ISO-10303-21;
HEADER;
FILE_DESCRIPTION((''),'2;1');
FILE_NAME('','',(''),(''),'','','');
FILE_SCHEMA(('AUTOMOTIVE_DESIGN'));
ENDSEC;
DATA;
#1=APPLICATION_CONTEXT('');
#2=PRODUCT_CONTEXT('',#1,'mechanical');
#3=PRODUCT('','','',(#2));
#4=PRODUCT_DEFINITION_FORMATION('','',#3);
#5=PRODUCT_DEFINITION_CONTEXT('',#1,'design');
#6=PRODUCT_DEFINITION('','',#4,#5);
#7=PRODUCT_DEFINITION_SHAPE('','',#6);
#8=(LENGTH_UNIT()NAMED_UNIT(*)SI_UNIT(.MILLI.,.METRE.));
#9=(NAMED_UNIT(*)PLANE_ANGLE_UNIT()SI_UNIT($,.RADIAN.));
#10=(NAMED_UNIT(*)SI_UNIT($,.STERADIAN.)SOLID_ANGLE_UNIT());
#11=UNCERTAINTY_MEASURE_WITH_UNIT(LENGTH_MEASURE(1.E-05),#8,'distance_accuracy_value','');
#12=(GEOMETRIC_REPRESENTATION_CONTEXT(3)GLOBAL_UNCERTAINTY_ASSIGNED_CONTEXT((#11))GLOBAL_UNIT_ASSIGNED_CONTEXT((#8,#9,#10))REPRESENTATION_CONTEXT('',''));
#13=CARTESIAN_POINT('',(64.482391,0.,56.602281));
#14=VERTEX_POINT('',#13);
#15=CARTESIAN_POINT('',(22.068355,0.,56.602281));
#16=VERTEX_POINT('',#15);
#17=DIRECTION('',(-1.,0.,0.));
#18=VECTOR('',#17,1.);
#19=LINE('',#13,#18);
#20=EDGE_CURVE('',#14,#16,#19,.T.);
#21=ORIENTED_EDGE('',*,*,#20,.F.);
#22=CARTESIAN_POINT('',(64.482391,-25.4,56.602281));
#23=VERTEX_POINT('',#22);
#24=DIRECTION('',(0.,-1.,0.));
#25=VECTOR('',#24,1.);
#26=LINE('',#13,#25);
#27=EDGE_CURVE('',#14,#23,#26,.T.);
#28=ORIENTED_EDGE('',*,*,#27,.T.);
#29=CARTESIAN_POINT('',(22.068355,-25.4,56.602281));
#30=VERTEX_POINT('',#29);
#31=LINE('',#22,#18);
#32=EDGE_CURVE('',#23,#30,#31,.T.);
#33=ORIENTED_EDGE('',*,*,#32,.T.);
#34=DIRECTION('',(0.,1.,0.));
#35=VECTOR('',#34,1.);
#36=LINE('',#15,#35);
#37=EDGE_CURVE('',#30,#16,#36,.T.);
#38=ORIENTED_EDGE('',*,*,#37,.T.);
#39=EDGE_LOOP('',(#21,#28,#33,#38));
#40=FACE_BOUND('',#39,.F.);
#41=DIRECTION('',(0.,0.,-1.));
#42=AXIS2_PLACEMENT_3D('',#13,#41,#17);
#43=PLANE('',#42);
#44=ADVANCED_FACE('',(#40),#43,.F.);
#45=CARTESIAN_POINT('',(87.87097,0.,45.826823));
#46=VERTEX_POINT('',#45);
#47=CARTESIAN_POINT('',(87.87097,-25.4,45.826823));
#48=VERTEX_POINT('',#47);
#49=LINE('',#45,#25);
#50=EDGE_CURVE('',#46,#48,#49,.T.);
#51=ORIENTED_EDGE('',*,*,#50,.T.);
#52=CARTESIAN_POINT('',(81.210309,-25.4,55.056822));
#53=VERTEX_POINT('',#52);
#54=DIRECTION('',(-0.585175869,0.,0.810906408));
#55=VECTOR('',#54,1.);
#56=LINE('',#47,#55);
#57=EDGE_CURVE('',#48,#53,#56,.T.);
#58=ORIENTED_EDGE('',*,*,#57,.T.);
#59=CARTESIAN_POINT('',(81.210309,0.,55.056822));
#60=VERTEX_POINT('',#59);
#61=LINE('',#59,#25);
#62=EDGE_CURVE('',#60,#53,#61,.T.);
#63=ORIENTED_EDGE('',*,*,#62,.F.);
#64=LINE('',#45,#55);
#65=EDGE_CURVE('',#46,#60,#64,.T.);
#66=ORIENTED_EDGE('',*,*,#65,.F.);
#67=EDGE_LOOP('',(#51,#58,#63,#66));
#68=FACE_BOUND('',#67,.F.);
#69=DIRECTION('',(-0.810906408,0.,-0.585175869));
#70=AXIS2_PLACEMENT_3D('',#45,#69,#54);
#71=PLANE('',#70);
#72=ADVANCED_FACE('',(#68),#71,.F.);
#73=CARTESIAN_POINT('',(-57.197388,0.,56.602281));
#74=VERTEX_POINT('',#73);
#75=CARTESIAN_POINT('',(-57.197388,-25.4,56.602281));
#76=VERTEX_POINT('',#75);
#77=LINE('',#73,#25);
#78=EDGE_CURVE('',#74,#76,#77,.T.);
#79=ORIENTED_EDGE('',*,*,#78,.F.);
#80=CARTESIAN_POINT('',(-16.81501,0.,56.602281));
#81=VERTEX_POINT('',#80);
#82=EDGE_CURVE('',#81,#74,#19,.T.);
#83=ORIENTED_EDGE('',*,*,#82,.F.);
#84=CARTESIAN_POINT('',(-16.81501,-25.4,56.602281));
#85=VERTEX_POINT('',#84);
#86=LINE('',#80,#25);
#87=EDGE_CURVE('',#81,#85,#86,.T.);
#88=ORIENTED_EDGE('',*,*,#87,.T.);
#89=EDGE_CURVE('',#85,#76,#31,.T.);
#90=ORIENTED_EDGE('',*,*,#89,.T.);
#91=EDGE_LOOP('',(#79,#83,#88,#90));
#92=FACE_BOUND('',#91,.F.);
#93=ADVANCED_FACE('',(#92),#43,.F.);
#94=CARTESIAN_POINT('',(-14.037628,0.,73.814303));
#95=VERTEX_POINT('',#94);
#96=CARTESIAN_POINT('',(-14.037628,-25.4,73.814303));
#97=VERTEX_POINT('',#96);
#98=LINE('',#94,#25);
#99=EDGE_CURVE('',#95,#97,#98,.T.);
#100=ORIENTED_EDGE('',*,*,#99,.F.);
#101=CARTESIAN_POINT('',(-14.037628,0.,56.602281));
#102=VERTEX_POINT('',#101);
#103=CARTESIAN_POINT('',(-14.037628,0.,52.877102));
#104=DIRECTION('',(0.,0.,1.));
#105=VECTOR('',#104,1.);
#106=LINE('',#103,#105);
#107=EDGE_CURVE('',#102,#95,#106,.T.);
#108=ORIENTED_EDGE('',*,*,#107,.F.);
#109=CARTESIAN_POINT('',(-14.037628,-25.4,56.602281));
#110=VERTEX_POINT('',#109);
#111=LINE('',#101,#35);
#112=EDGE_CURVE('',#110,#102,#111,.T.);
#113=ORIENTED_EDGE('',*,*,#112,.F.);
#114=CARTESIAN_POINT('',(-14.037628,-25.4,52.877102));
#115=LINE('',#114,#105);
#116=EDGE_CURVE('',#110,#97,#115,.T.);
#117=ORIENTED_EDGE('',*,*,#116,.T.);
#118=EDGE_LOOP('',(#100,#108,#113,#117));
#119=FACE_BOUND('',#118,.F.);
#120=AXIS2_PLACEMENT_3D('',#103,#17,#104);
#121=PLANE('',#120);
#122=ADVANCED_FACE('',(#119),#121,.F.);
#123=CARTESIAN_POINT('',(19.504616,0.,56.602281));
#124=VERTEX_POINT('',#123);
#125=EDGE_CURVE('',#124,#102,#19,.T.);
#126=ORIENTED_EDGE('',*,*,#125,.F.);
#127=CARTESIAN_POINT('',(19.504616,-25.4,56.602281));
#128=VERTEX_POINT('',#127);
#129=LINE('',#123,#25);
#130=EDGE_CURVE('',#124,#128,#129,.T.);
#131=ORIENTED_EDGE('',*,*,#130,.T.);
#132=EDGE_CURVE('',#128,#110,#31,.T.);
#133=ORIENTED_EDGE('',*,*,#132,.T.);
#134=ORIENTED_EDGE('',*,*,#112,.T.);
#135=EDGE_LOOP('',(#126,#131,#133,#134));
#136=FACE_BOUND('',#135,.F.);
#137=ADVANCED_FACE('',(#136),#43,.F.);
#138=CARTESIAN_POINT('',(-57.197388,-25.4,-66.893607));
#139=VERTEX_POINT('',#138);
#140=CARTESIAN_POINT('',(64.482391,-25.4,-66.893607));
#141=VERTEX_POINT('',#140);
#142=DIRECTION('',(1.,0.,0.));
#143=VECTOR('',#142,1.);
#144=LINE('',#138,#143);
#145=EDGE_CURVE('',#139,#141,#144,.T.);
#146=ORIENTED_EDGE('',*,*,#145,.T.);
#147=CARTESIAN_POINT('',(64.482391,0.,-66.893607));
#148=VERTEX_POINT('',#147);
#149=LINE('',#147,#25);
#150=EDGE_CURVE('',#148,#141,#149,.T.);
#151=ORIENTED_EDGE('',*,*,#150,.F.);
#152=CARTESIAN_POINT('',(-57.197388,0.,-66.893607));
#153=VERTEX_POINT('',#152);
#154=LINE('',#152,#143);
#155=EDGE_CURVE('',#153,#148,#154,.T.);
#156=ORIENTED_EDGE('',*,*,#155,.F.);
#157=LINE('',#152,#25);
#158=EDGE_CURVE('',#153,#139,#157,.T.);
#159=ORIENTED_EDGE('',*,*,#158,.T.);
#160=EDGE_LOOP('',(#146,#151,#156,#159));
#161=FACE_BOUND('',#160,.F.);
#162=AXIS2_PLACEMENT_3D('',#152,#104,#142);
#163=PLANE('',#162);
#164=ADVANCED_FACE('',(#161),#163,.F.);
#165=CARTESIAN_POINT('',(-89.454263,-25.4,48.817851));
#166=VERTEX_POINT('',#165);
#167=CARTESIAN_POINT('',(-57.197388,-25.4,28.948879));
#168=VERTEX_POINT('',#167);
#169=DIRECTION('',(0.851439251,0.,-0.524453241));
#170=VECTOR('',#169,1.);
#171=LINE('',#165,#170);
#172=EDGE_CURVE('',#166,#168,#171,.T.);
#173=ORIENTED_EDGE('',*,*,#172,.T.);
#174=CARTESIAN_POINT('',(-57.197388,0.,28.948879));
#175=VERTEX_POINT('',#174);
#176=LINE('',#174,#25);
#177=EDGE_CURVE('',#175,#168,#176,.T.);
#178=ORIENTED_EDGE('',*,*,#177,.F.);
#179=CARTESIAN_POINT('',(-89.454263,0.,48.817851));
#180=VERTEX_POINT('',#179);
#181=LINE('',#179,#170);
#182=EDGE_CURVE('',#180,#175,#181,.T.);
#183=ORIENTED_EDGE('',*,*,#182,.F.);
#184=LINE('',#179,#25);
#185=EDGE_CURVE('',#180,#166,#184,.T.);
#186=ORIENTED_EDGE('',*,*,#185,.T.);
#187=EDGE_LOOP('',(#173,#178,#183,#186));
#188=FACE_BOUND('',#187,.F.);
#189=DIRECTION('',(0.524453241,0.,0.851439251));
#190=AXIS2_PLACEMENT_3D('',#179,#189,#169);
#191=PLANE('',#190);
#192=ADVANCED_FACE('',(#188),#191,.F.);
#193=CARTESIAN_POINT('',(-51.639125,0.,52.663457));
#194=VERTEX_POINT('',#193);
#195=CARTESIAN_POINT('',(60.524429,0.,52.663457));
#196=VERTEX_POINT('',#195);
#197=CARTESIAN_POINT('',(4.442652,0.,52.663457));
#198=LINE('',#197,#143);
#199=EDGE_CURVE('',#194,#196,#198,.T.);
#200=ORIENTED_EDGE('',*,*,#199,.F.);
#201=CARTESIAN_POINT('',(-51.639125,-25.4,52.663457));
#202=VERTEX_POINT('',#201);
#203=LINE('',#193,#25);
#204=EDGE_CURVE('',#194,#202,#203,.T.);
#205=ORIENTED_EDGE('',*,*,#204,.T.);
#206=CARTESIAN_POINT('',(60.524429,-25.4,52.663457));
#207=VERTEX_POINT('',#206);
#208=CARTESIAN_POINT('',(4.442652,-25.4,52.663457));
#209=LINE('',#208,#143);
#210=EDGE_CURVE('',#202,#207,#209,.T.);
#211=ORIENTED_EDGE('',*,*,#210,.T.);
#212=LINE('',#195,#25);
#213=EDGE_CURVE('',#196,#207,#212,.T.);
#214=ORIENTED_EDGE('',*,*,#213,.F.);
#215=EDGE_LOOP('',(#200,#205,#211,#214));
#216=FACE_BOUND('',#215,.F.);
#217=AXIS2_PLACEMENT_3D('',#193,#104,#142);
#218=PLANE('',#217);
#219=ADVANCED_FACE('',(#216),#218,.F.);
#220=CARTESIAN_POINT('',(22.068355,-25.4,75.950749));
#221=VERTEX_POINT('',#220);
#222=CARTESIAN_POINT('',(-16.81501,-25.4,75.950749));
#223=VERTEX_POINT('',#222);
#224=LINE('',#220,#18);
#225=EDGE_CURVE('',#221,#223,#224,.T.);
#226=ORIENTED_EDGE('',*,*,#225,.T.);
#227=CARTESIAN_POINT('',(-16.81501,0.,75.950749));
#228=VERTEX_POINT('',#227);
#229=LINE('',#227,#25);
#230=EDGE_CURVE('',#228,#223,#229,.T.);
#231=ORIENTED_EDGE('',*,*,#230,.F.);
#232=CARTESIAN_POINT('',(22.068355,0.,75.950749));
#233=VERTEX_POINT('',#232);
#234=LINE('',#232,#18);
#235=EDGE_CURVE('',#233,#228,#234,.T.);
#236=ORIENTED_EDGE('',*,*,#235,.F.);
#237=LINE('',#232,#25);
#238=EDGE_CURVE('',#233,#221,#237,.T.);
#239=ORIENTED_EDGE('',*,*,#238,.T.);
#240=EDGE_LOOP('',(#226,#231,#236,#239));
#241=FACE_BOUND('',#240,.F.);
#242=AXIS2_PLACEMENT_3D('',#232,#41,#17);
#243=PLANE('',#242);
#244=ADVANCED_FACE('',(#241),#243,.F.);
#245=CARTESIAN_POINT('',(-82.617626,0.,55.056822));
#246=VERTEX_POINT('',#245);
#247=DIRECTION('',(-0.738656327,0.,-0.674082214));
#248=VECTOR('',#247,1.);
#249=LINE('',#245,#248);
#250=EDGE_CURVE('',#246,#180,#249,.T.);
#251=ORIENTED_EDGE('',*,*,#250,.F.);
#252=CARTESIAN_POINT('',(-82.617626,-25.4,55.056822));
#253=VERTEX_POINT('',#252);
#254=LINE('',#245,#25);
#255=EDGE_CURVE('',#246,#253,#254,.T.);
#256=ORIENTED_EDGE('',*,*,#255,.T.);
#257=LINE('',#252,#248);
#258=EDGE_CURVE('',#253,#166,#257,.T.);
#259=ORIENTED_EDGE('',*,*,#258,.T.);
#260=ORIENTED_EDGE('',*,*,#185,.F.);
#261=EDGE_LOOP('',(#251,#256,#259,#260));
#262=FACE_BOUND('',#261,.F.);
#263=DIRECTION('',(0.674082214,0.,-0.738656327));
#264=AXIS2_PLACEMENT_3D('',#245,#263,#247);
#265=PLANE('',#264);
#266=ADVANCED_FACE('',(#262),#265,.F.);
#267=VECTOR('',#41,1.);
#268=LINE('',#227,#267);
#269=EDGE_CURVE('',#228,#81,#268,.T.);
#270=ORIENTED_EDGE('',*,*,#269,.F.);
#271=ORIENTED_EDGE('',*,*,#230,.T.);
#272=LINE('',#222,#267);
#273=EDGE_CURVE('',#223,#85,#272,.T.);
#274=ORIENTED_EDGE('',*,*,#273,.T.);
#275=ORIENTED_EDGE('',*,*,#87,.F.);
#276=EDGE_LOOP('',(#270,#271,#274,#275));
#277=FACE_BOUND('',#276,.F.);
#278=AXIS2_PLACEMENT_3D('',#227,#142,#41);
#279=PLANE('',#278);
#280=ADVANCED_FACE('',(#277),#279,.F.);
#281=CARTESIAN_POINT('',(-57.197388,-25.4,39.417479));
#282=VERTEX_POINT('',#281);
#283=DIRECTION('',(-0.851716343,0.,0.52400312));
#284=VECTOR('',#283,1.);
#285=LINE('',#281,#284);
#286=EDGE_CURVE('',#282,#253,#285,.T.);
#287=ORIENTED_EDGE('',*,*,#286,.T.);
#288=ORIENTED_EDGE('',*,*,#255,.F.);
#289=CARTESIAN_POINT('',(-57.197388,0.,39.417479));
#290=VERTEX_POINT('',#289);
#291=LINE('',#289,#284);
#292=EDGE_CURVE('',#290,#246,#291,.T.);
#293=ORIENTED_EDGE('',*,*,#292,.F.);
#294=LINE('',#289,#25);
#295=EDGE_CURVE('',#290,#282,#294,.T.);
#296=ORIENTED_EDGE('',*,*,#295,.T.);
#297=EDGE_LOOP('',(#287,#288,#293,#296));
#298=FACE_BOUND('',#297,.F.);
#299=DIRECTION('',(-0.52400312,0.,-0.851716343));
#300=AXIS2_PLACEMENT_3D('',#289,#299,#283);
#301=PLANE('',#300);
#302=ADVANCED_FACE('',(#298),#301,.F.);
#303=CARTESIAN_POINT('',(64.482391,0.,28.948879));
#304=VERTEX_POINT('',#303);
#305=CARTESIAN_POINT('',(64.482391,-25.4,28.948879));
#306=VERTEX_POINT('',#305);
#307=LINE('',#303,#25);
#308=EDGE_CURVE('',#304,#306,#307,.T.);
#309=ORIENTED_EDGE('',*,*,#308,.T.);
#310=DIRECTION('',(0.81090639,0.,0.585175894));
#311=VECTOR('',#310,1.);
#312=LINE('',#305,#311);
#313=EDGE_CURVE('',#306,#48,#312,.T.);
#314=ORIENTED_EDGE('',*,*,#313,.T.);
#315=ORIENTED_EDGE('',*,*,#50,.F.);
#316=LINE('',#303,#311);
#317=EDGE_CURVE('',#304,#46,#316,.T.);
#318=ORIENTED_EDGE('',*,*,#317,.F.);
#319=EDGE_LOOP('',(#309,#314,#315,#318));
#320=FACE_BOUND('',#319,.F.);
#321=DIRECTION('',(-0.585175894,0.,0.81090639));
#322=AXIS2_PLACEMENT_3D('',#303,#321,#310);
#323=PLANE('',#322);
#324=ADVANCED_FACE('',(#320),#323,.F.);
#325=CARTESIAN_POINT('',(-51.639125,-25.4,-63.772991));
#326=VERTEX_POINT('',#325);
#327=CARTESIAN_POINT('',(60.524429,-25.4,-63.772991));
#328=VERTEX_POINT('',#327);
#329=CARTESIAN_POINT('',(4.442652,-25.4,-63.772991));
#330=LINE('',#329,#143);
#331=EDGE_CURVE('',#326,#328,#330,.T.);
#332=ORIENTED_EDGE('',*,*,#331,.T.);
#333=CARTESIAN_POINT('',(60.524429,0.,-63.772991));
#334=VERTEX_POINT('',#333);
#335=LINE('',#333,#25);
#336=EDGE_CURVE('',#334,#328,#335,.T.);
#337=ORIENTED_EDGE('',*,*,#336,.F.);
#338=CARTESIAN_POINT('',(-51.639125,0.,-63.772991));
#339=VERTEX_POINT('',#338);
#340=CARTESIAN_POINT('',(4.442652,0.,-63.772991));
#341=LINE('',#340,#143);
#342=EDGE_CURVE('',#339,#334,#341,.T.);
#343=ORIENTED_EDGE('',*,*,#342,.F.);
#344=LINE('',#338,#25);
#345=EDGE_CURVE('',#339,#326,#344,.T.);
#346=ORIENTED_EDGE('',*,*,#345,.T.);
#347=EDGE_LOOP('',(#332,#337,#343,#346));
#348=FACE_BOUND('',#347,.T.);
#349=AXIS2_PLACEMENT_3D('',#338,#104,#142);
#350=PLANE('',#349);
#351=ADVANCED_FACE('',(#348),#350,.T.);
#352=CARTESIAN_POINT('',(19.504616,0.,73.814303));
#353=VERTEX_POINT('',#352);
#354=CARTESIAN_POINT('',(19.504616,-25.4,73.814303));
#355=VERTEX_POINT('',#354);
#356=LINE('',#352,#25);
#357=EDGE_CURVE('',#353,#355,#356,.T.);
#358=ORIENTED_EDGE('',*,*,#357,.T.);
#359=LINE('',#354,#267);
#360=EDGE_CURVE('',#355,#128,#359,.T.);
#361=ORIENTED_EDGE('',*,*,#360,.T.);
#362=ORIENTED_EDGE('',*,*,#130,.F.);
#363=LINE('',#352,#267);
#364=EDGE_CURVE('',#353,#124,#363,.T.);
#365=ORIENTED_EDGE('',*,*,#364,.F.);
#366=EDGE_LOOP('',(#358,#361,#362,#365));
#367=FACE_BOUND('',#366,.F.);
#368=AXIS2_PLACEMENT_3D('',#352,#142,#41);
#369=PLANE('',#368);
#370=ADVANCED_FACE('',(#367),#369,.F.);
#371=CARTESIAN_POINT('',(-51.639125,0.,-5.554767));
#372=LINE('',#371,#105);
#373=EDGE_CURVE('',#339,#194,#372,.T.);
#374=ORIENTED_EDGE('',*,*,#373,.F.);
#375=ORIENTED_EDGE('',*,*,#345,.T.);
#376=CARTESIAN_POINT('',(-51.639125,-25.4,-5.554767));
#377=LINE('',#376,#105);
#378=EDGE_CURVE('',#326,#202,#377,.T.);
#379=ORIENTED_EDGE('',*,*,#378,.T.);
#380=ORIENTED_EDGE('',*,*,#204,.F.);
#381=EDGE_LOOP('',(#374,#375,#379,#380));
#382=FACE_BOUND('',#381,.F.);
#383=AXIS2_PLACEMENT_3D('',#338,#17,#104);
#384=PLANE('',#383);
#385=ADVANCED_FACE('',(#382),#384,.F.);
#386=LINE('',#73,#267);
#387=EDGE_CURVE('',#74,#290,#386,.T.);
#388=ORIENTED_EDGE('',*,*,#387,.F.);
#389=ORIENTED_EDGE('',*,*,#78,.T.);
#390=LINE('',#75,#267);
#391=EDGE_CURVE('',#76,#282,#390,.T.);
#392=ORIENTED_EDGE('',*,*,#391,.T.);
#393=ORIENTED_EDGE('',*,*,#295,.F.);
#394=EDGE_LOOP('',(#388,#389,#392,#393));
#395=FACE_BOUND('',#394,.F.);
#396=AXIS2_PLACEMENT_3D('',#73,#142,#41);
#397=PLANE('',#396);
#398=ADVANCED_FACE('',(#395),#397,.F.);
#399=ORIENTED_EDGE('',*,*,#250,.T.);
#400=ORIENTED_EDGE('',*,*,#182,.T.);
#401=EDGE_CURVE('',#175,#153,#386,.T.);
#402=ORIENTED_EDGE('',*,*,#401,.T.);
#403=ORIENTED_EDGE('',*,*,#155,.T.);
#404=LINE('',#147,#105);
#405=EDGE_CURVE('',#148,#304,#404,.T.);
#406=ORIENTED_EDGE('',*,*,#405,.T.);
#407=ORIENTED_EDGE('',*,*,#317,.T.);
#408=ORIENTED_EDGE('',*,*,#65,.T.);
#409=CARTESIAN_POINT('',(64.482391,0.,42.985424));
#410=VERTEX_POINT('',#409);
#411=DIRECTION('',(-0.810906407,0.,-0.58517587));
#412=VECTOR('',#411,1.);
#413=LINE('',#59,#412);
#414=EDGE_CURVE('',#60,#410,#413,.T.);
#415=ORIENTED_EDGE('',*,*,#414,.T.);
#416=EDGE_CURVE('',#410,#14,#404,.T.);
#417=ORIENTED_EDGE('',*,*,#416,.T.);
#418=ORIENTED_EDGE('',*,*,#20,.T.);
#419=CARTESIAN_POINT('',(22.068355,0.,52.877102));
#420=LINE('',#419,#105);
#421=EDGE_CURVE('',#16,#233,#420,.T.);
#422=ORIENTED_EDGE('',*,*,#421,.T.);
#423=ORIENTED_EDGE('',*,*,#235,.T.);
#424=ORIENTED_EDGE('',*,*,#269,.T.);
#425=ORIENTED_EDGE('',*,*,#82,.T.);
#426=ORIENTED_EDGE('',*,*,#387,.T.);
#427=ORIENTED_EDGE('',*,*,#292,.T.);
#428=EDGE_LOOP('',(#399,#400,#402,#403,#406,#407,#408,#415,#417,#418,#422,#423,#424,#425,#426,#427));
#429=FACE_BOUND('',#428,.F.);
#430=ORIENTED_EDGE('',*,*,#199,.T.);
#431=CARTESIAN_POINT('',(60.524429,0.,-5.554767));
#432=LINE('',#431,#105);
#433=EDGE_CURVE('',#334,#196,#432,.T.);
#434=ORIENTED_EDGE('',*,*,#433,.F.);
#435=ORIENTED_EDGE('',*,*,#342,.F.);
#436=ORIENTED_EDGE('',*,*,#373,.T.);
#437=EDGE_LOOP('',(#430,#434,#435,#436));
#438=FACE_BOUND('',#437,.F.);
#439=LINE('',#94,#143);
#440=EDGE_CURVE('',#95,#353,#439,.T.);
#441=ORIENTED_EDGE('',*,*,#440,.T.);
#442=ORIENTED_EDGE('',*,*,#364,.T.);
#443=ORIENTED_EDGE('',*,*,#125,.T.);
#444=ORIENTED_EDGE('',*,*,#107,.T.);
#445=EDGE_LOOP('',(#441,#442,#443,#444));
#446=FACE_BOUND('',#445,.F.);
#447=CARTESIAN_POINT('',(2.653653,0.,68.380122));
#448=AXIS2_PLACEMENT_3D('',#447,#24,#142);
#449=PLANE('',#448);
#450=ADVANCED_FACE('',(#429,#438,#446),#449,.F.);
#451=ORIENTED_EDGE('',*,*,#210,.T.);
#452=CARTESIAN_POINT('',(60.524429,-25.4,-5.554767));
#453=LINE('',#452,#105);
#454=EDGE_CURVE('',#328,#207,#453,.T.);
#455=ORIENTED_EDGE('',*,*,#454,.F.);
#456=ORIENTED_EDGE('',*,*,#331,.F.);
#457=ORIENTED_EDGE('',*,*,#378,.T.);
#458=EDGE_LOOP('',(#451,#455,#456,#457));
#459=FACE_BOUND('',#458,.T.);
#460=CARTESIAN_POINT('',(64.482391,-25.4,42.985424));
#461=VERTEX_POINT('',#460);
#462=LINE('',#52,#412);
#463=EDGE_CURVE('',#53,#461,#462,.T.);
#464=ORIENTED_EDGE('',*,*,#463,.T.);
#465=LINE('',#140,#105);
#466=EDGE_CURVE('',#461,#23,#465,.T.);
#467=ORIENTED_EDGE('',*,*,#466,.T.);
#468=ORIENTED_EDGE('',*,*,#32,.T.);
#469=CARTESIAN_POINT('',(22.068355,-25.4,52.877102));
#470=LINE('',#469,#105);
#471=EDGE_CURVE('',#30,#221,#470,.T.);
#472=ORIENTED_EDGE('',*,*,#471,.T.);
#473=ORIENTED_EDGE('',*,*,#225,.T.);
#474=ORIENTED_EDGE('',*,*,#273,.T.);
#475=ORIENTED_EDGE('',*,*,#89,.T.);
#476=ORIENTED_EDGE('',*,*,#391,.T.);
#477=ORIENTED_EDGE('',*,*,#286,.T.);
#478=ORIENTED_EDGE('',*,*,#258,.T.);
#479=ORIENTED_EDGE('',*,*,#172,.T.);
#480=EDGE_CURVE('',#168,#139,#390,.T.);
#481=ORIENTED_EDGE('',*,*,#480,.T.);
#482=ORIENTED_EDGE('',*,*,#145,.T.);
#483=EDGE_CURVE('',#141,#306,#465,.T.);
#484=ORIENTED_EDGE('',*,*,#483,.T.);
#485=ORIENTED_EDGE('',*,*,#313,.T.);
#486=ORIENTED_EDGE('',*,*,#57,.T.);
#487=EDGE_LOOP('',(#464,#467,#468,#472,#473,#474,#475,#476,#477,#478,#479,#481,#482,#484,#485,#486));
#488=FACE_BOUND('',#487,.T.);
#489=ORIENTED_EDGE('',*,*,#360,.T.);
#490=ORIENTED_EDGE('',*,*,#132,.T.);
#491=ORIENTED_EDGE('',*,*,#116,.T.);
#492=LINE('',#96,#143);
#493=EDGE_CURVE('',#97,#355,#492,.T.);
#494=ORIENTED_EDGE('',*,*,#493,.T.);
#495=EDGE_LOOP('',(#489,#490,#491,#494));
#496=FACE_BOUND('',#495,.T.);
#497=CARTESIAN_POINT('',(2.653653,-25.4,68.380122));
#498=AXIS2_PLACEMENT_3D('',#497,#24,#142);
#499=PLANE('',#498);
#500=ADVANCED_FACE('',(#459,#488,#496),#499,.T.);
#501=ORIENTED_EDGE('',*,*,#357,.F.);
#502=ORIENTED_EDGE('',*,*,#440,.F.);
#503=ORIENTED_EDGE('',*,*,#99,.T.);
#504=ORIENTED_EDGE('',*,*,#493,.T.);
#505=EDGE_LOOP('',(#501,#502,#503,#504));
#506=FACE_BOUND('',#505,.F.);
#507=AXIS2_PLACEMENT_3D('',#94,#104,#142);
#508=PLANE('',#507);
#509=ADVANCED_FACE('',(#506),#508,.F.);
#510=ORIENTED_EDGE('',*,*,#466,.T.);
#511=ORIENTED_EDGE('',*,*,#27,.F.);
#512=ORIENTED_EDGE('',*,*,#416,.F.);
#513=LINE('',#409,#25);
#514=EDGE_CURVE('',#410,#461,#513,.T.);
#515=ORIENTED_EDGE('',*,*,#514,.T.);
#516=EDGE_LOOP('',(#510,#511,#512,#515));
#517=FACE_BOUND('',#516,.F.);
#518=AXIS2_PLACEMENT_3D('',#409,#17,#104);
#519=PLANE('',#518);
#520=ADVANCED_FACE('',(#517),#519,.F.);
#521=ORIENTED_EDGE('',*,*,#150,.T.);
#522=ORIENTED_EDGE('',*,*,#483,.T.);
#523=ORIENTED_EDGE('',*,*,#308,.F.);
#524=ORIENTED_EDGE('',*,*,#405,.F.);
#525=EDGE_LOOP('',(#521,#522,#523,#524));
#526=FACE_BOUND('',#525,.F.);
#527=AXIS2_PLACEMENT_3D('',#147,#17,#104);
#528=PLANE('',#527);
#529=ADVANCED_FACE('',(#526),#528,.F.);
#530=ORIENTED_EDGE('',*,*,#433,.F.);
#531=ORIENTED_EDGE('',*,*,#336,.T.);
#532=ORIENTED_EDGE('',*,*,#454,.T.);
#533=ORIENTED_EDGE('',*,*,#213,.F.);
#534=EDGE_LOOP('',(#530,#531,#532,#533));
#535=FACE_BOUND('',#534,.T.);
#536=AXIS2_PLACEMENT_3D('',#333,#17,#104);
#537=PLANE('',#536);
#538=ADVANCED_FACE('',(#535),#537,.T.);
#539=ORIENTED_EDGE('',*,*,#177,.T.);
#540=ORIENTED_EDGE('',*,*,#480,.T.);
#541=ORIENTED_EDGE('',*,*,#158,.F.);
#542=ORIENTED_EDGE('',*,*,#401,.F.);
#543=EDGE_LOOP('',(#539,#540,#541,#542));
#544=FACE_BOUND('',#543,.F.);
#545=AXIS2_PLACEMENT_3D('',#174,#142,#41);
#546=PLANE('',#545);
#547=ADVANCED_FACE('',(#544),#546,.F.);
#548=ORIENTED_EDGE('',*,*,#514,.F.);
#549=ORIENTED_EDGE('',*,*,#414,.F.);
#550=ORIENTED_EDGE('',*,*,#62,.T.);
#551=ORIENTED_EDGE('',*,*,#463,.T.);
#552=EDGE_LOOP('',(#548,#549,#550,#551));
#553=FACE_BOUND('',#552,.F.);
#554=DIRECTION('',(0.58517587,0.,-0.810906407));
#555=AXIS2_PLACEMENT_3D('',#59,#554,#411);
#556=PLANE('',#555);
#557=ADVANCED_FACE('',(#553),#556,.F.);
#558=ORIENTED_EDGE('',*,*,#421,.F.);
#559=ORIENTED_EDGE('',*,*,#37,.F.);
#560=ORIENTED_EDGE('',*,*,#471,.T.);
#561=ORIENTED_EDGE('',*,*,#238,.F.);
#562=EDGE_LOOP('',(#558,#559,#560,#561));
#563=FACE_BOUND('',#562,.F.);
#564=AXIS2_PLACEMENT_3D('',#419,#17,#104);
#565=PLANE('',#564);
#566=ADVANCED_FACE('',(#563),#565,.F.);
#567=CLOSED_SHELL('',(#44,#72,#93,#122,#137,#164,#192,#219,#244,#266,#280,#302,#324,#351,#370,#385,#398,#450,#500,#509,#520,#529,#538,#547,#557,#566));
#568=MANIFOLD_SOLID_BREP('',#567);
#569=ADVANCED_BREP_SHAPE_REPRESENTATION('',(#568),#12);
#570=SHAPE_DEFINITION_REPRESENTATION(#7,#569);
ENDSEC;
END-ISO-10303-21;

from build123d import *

# Parameters (mm, degrees)
F0_W     = 112.163555
F0_H     = 116.436448
F1_DEPTH = 25.4
F3_DEPTH = 25.4


with BuildPart() as f1:
    # F0 (on Front) → F1 (new body)
    with BuildSketch(Plane.XZ):
        Polygon((64.482391, 56.602281), (-57.197388, 56.602281), (-57.197388, 39.417479), (-57.197388, 28.948879), (-57.197388, -66.893607), (64.482391, -66.893607), (64.482391, 28.948879), (64.482391, 42.985424), align=None)
        with Locations((4.442652, -5.554767)):
            Rectangle(F0_W, F0_H, mode=Mode.SUBTRACT)
        Polygon((-57.197388, 28.948879), (-57.197388, 39.417479), (-82.617626, 55.056822), (-89.454263, 48.817851), align=None)
        Polygon((81.210309, 55.056822), (64.482391, 42.985424), (64.482391, 28.948879), (87.87097, 45.826823), align=None)
    extrude(amount=F1_DEPTH)

    # F2 (on Front) → F3 (join)
    with BuildSketch(Plane.XZ):
        Polygon((-16.81501, 75.950749), (-16.81501, 52.877102), (-14.037628, 52.877102), (-14.037628, 73.814303), (19.504616, 73.814303), (19.504616, 52.877102), (22.068355, 52.877102), (22.068355, 75.950749), align=None)
    extrude(amount=F3_DEPTH)


solid = f1.part
